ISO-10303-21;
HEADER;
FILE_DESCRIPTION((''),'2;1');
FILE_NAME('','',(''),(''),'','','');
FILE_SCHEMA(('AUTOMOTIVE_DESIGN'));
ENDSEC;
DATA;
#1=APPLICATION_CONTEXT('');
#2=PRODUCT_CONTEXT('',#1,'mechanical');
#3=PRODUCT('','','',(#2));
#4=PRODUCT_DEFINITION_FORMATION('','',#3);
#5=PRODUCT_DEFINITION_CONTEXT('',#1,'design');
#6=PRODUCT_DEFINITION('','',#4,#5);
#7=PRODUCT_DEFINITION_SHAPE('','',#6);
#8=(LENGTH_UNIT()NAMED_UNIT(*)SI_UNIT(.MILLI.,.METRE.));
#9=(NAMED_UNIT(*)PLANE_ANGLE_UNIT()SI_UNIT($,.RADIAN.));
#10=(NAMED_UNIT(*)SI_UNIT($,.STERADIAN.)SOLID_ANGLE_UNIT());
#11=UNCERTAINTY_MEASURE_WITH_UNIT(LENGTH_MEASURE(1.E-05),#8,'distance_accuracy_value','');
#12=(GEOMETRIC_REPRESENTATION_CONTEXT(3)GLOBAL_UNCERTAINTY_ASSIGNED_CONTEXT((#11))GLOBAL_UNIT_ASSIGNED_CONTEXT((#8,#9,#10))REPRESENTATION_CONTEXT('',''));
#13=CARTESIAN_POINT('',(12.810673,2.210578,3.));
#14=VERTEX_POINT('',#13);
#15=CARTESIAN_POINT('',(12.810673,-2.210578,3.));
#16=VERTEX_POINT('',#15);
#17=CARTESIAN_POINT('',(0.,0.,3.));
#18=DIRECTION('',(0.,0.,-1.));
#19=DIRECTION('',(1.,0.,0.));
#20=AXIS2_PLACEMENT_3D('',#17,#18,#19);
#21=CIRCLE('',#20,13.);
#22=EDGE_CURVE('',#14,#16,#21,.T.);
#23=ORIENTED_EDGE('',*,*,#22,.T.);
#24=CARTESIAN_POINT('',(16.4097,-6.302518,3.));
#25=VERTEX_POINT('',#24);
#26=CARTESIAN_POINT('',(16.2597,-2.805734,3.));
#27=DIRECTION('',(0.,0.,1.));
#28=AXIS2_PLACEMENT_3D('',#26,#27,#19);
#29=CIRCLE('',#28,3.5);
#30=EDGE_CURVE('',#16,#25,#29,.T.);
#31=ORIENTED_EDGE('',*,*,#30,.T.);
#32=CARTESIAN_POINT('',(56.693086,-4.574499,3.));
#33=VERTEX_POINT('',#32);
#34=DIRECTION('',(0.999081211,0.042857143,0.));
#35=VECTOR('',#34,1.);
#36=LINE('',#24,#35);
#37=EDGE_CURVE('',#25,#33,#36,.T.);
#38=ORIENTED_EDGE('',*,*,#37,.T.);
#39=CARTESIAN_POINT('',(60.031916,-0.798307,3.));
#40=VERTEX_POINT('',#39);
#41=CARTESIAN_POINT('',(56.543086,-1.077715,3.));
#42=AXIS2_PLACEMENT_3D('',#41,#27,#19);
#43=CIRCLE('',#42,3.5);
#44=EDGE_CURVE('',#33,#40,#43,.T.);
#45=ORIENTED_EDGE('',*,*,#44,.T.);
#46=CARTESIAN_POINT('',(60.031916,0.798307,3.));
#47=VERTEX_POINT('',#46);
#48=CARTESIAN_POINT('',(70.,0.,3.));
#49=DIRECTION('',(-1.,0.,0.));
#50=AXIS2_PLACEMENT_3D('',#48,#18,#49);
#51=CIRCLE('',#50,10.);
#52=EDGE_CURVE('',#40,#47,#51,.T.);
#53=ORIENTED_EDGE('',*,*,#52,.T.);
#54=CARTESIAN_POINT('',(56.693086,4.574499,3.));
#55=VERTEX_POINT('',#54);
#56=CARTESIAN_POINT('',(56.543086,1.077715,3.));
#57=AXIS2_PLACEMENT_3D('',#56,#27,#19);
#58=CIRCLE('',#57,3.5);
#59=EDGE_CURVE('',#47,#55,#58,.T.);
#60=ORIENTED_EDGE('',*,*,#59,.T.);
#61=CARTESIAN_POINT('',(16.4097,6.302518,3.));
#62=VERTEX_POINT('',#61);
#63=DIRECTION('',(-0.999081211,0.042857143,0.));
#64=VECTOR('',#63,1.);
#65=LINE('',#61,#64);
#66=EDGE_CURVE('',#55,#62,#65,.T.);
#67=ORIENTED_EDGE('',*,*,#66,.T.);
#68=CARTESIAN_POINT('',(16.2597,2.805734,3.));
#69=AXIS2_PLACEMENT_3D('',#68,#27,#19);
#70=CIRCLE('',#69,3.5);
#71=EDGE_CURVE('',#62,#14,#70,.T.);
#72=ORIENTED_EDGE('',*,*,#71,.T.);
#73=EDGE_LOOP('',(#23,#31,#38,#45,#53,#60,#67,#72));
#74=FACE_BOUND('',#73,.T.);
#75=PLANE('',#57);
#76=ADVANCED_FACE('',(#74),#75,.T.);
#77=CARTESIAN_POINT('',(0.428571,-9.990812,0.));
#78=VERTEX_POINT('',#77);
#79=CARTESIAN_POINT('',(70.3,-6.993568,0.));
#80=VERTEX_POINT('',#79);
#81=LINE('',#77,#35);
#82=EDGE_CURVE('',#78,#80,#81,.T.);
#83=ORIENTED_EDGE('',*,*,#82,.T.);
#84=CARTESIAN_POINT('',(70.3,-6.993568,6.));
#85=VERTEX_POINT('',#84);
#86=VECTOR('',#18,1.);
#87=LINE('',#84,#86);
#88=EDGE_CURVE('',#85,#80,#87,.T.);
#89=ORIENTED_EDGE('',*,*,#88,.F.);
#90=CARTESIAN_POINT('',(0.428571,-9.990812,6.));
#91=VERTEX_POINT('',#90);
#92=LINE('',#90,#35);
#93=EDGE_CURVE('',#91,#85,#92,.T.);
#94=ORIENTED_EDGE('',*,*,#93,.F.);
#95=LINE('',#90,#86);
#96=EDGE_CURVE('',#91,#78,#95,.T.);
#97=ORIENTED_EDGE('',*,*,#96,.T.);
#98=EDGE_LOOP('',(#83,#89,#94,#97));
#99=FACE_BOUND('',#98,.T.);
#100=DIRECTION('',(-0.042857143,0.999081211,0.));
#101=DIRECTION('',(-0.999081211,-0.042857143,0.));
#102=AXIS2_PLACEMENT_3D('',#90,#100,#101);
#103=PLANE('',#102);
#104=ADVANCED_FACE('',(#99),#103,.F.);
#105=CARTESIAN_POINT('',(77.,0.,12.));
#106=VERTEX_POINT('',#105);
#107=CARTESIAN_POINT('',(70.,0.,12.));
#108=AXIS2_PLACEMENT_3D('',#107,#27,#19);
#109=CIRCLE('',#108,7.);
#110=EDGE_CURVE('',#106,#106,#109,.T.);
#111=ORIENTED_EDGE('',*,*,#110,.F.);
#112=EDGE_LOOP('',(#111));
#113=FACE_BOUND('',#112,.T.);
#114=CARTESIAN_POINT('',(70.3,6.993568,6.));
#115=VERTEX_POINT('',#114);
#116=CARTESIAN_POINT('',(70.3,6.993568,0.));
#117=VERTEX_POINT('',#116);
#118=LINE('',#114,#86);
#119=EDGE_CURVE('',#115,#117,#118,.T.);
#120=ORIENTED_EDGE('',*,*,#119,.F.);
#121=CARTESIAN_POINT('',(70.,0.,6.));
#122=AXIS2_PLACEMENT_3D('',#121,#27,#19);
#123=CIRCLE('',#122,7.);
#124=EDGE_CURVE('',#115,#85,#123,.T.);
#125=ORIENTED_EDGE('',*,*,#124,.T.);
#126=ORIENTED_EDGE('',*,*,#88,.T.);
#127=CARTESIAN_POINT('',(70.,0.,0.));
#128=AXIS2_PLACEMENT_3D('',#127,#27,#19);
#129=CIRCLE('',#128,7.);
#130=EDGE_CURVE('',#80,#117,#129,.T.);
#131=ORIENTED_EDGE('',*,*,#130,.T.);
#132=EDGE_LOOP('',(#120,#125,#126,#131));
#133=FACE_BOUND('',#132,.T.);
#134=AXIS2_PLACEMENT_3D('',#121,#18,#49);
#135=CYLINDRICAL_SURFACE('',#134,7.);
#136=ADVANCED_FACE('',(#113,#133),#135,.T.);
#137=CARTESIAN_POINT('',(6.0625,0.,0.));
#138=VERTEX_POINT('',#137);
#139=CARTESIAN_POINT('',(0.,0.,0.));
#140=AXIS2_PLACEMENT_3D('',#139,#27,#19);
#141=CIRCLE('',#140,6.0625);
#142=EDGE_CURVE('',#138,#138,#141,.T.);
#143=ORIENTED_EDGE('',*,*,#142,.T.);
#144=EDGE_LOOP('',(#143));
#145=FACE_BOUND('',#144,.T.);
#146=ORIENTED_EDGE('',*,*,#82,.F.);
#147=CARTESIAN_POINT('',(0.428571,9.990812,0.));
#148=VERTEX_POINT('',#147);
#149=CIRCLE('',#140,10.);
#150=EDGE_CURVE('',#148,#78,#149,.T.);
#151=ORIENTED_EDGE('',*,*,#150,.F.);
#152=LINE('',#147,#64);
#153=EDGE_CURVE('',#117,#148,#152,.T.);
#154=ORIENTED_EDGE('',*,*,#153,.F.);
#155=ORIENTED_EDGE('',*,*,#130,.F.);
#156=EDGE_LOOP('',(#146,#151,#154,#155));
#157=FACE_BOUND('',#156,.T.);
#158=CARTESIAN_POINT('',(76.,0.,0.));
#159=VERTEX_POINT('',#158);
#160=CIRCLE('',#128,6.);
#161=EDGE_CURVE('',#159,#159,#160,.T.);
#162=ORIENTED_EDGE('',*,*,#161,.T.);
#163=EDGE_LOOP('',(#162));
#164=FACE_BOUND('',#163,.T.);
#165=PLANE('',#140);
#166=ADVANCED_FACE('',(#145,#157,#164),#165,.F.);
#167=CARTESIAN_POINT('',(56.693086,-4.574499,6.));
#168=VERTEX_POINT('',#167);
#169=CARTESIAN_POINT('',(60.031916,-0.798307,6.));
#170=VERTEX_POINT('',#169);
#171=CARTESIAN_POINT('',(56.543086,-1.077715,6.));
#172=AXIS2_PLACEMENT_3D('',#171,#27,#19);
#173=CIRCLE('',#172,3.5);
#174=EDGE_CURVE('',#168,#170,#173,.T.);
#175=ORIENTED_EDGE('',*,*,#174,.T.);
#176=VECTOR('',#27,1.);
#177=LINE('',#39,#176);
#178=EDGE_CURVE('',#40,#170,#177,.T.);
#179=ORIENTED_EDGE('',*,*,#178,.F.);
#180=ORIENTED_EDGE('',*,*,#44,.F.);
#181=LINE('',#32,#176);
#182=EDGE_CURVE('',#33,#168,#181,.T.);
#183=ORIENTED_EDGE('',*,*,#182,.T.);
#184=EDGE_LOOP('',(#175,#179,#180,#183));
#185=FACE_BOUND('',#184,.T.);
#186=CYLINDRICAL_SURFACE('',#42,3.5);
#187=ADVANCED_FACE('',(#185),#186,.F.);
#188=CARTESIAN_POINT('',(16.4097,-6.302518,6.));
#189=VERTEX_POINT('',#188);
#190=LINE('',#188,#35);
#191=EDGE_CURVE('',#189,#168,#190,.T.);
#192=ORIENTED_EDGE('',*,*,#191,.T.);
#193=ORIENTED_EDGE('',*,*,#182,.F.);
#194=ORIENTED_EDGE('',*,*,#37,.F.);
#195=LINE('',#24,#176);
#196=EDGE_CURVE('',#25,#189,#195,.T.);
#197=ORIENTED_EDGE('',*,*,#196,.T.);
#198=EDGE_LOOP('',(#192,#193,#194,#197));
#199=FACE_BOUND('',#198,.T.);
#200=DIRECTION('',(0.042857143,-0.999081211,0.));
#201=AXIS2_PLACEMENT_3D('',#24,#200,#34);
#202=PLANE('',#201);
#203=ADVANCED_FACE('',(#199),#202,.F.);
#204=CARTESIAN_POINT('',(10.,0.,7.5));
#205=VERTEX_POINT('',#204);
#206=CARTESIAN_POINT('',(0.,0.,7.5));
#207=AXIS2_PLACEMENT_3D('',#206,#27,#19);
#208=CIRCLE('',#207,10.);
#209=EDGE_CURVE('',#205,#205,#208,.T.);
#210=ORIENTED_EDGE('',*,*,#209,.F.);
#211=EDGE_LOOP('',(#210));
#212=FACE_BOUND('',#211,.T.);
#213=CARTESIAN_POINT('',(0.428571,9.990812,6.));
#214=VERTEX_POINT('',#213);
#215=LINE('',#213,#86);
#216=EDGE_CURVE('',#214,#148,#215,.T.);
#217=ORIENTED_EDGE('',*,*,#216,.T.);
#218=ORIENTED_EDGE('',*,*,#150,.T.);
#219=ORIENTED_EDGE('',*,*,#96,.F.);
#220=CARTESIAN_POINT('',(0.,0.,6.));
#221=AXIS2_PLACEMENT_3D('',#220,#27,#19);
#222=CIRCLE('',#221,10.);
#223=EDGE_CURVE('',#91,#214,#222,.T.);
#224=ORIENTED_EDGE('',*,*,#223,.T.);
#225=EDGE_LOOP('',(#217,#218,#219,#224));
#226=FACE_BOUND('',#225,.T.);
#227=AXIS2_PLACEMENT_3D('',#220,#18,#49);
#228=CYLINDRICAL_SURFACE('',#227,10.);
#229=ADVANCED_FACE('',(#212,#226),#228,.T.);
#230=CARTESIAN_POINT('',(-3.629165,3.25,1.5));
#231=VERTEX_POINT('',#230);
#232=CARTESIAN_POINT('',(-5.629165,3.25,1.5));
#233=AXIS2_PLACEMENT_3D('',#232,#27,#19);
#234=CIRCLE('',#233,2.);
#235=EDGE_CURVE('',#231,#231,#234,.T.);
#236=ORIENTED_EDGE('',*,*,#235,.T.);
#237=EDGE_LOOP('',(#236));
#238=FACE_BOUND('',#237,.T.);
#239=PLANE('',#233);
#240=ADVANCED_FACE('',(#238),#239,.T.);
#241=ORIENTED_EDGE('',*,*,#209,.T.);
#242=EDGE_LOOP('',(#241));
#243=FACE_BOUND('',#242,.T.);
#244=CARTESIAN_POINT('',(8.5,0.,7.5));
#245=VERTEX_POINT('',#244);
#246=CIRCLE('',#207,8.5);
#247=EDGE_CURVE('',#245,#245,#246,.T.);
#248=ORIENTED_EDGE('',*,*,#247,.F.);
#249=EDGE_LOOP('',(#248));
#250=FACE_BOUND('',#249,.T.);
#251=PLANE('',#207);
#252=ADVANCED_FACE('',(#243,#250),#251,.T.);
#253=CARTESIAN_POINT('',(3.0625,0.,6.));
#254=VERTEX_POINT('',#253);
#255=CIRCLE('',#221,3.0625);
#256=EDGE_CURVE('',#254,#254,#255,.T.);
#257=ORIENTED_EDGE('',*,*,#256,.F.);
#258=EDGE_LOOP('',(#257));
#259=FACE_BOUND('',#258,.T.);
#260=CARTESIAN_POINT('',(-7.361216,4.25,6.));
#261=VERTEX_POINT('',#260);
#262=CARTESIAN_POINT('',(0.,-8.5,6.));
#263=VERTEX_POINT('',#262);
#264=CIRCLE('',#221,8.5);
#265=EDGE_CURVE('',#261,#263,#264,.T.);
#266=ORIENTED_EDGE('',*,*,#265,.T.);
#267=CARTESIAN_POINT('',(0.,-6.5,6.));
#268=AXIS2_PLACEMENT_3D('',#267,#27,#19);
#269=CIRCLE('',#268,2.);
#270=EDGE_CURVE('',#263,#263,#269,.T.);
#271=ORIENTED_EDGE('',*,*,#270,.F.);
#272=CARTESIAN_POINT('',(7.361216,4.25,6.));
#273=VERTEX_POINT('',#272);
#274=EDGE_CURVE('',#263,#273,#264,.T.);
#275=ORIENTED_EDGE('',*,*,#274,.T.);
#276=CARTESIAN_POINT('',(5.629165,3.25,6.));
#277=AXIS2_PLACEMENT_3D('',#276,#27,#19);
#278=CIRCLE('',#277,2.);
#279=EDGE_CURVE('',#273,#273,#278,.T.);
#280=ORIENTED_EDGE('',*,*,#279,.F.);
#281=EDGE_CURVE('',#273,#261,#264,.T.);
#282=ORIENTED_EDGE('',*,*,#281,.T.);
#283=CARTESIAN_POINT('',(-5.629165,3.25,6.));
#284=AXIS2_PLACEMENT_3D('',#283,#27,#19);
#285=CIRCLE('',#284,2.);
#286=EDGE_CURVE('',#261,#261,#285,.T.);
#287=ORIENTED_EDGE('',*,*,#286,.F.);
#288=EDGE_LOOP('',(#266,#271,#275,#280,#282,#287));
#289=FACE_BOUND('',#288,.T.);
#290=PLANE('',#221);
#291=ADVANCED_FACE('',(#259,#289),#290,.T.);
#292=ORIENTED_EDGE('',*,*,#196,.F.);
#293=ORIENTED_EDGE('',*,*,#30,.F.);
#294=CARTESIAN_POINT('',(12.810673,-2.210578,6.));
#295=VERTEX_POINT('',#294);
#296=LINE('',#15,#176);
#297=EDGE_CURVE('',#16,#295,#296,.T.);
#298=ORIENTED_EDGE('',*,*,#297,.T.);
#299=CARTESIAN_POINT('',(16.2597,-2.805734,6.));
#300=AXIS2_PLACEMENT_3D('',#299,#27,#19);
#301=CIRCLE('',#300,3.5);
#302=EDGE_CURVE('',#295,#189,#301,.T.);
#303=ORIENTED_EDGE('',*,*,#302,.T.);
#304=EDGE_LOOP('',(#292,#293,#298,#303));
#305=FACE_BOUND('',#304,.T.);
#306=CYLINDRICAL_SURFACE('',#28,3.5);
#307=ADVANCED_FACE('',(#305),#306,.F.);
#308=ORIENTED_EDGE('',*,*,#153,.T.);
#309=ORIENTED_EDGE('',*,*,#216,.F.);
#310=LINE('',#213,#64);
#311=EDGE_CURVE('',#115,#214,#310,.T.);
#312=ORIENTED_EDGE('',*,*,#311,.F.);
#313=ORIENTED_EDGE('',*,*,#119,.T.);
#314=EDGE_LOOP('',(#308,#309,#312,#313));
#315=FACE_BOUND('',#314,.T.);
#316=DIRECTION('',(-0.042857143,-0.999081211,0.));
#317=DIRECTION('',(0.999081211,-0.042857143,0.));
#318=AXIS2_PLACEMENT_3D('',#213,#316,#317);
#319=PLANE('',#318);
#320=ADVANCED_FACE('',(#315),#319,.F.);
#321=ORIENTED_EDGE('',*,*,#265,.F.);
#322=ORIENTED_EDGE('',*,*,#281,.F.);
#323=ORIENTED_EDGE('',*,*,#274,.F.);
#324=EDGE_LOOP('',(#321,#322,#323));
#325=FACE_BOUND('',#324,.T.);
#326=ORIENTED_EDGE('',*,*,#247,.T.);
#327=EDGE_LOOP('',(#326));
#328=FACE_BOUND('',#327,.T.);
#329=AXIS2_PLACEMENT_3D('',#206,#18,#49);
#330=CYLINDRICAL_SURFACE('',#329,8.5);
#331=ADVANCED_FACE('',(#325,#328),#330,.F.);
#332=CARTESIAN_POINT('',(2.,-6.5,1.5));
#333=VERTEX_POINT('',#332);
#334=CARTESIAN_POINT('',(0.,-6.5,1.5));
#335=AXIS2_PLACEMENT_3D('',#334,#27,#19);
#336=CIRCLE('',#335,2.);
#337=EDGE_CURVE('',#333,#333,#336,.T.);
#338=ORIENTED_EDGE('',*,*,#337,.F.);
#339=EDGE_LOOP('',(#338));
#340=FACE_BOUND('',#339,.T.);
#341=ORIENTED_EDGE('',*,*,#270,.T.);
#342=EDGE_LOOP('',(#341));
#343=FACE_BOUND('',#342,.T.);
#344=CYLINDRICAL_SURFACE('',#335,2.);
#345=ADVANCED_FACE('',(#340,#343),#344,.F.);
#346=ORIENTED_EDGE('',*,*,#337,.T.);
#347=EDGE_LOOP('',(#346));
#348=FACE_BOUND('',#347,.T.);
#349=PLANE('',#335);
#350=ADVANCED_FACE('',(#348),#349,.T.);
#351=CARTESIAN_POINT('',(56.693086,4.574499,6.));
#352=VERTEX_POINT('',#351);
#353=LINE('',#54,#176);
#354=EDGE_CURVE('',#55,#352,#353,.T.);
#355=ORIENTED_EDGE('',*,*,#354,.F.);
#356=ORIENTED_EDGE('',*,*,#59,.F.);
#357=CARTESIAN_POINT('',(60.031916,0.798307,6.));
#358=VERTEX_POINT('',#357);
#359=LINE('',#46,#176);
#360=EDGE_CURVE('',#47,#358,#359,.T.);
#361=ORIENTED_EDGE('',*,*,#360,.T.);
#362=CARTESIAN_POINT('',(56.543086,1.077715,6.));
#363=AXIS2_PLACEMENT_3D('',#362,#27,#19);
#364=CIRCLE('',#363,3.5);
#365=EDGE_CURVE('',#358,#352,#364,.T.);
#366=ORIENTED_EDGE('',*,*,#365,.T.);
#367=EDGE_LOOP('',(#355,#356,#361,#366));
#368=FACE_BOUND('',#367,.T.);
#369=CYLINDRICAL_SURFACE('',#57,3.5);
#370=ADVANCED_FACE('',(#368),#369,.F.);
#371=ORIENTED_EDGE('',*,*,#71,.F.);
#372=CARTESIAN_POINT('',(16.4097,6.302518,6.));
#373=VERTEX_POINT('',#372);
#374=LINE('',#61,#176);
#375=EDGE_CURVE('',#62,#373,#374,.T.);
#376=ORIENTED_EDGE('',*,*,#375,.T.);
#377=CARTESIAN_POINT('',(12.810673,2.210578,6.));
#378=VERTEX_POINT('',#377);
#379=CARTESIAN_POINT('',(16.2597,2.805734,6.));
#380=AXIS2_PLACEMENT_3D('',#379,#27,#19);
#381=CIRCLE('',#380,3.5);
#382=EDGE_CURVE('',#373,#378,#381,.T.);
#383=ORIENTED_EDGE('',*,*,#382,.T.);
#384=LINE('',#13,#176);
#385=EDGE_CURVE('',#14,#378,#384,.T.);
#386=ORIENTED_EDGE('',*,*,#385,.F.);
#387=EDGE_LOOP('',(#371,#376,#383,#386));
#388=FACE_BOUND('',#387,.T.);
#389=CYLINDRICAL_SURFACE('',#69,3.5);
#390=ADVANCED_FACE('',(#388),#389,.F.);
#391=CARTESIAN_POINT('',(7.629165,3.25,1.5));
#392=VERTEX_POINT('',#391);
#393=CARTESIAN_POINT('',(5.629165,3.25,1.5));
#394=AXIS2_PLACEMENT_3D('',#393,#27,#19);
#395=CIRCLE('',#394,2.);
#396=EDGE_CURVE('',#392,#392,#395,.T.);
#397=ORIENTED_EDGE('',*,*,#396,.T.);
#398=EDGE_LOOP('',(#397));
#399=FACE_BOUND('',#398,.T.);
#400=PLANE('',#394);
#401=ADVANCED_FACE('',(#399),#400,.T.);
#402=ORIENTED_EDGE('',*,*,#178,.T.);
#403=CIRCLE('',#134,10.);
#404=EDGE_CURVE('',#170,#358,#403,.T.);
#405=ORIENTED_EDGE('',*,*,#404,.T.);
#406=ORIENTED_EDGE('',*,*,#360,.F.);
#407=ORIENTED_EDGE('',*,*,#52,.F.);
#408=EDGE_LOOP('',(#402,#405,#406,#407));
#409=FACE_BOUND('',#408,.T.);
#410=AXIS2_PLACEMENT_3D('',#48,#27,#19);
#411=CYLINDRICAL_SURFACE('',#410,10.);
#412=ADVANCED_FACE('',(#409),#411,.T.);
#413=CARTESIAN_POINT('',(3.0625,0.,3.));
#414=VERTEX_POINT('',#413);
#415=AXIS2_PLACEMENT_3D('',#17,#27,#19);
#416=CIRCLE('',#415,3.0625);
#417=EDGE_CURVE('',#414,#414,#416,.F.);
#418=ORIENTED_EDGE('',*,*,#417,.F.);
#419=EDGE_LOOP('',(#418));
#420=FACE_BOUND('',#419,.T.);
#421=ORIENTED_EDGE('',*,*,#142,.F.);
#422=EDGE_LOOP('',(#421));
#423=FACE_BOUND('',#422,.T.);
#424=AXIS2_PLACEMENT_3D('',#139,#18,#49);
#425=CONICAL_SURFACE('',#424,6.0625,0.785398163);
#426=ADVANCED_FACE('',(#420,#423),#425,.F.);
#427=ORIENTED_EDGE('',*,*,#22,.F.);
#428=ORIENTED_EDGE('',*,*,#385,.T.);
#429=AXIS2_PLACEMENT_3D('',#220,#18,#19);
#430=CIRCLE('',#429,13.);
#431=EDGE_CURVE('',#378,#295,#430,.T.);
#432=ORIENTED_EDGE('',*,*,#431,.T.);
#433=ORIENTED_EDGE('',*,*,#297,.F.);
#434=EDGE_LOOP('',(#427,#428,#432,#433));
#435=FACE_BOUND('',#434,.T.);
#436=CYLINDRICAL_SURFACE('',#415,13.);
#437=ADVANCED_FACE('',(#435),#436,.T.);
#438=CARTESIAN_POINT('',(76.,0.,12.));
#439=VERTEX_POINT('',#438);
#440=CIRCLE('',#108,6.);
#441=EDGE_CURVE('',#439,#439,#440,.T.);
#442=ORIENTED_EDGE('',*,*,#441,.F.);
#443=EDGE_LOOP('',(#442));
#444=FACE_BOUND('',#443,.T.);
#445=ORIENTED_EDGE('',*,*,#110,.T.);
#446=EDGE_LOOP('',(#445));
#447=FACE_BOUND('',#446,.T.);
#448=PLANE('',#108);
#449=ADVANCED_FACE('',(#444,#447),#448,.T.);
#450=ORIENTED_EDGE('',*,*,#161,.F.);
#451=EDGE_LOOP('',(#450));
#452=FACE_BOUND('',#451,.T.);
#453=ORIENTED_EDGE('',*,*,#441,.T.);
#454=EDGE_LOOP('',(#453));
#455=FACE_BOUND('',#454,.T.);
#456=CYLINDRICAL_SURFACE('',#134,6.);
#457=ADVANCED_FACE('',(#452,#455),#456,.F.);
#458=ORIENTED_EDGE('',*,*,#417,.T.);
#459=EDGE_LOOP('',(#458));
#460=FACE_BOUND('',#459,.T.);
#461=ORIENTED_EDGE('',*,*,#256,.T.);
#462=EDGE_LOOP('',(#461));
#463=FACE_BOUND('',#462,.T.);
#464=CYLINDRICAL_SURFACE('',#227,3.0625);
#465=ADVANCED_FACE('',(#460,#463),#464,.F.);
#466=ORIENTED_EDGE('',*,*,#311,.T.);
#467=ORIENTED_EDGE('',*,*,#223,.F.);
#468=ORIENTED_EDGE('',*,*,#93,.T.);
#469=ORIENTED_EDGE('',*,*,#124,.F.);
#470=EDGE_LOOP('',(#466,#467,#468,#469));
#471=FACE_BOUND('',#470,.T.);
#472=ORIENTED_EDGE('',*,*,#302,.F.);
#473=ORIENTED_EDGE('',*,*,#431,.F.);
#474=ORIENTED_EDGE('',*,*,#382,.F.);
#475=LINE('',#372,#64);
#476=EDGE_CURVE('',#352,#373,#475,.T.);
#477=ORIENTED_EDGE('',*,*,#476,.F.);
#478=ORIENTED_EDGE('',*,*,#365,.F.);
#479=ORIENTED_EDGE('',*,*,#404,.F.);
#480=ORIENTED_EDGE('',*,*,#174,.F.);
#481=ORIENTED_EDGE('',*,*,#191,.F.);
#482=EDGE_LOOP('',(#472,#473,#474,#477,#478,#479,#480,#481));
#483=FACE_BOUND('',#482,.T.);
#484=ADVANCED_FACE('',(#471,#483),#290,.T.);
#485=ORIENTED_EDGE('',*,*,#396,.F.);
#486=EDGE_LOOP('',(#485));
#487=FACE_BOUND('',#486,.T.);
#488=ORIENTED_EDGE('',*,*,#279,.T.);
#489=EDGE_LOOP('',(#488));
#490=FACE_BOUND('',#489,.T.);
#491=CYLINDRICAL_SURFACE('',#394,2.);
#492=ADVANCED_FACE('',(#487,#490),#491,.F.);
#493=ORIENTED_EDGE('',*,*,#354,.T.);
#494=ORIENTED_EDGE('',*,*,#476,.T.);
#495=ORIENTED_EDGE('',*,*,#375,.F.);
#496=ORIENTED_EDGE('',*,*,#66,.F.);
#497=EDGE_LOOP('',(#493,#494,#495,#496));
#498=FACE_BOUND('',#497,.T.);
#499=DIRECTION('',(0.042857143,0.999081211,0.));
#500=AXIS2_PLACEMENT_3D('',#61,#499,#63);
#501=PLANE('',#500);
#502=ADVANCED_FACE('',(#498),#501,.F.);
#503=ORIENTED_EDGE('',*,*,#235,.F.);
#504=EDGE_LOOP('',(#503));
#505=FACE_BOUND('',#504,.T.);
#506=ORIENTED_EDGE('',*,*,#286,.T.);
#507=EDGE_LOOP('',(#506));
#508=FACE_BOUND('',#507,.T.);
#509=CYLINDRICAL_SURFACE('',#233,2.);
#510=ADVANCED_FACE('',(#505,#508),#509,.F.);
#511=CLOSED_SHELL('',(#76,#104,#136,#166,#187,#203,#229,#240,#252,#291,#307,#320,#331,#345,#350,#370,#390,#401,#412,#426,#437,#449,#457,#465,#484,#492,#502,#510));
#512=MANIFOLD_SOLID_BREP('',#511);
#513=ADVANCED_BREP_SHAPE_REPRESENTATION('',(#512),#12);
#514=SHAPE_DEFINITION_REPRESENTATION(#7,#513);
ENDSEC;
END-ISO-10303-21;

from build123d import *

# Parameters (mm, degrees)
SKETCH1_R           = 7
SKETCH1_R_2         = 6
SKETCH1_R_3         = 3.0625
BOSS_EXTRUDE1_DEPTH = 6
SKETCH2_R           = 2
CUT_EXTRUDE1_DEPTH  = 4.5
SKETCH3_R           = 10
SKETCH3_R_2         = 8.5
BOSS_EXTRUDE2_DEPTH = 1.5
CHAMFER1_SIZE       = 3
SKETCH4_R           = 7
SKETCH4_R_2         = 6
BOSS_EXTRUDE3_DEPTH = 6
CUT_EXTRUDE2_DEPTH  = 3


with BuildPart() as part:
    # Sketch1 → Boss-Extrude1 (new body)
    with BuildSketch(Plane.XY):
        with Locations((70, 0)):
            Circle(SKETCH1_R)
        with Locations((70, 0)):
            Circle(SKETCH1_R_2, mode=Mode.SUBTRACT)
        with BuildLine():
            ThreePointArc((10, 0), (7.221001118, -6.917885722), (0.428571429, -9.990812106))
            Line((0.428571429, -9.990812106), (70.3, -6.993568474))
            ThreePointArc((70.3, -6.993568474), (63, 0), (70.3, 6.993568474))
            Line((70.3, 6.993568474), (0.428571429, 9.990812106))
            ThreePointArc((0.428571429, 9.990812106), (7.221001118, 6.917885722), (10, 0))
        make_face()
        with BuildLine():
            ThreePointArc((0.428571429, 9.990812106), (-10, 0), (0.428571429, -9.990812106))
            ThreePointArc((0.428571429, -9.990812106), (7.221001118, -6.917885722), (10, 0))
            ThreePointArc((10, 0), (7.221001118, 6.917885722), (0.428571429, 9.990812106))
        make_face()
        Circle(SKETCH1_R_3, mode=Mode.SUBTRACT)
    extrude(amount=BOSS_EXTRUDE1_DEPTH)

    # Sketch2 → Cut-Extrude1 (cut)
    with BuildSketch(Plane.XY.offset(6)):
        with Locations((0, -6.5)):
            Circle(SKETCH2_R)
        with Locations((-5.629165125, 3.25)):
            Circle(SKETCH2_R)
        with Locations((5.629165125, 3.25)):
            Circle(SKETCH2_R)
    extrude(amount=-CUT_EXTRUDE1_DEPTH, mode=Mode.SUBTRACT)

    # Sketch3 → Boss-Extrude2 (add)
    with BuildSketch(Plane.XY.offset(6)):
        Circle(SKETCH3_R)
        Circle(SKETCH3_R_2, mode=Mode.SUBTRACT)
    extrude(amount=BOSS_EXTRUDE2_DEPTH)

    # Chamfer1
    chamfer1_edges = [part.edges().sort_by_distance(p)[0] for p in [
        (-3.0625, 0, 0),
    ]]
    chamfer(chamfer1_edges, length=CHAMFER1_SIZE)

    # Sketch4 → Boss-Extrude3 (add)
    with BuildSketch(Plane.XY.offset(6)):
        with Locations((70, 0)):
            Circle(SKETCH4_R)
        with Locations((70, 0)):
            Circle(SKETCH4_R_2, mode=Mode.SUBTRACT)
    extrude(amount=BOSS_EXTRUDE3_DEPTH)

    # Sketch5 → Cut-Extrude2 (cut)
    with BuildSketch(Plane.XY.offset(6)):
        with BuildLine():
            Line((16.409700462, -6.30251781), (56.693086155, -4.574499309))
            ThreePointArc((56.693086155, -4.574499309), (59.165141891, -3.396081679), (60.031915671, -0.798307461))
            ThreePointArc((60.031915671, -0.798307461), (60, 0), (60.031915671, 0.798307461))
            ThreePointArc((60.031915671, 0.798307461), (59.165141891, 3.396081679), (56.693086155, 4.574499309))
            Line((56.693086155, 4.574499309), (16.409700462, 6.30251781))
            ThreePointArc((16.409700462, 6.30251781), (13.631604513, 5.117250755), (12.810673091, 2.210577966))
            ThreePointArc((12.810673091, 2.210577966), (13, 0), (12.810673091, -2.210577966))
            ThreePointArc((12.810673091, -2.210577966), (13.631604513, -5.117250755), (16.409700462, -6.30251781))
        make_face()
    extrude(amount=-CUT_EXTRUDE2_DEPTH, mode=Mode.SUBTRACT)


solid = part.part
